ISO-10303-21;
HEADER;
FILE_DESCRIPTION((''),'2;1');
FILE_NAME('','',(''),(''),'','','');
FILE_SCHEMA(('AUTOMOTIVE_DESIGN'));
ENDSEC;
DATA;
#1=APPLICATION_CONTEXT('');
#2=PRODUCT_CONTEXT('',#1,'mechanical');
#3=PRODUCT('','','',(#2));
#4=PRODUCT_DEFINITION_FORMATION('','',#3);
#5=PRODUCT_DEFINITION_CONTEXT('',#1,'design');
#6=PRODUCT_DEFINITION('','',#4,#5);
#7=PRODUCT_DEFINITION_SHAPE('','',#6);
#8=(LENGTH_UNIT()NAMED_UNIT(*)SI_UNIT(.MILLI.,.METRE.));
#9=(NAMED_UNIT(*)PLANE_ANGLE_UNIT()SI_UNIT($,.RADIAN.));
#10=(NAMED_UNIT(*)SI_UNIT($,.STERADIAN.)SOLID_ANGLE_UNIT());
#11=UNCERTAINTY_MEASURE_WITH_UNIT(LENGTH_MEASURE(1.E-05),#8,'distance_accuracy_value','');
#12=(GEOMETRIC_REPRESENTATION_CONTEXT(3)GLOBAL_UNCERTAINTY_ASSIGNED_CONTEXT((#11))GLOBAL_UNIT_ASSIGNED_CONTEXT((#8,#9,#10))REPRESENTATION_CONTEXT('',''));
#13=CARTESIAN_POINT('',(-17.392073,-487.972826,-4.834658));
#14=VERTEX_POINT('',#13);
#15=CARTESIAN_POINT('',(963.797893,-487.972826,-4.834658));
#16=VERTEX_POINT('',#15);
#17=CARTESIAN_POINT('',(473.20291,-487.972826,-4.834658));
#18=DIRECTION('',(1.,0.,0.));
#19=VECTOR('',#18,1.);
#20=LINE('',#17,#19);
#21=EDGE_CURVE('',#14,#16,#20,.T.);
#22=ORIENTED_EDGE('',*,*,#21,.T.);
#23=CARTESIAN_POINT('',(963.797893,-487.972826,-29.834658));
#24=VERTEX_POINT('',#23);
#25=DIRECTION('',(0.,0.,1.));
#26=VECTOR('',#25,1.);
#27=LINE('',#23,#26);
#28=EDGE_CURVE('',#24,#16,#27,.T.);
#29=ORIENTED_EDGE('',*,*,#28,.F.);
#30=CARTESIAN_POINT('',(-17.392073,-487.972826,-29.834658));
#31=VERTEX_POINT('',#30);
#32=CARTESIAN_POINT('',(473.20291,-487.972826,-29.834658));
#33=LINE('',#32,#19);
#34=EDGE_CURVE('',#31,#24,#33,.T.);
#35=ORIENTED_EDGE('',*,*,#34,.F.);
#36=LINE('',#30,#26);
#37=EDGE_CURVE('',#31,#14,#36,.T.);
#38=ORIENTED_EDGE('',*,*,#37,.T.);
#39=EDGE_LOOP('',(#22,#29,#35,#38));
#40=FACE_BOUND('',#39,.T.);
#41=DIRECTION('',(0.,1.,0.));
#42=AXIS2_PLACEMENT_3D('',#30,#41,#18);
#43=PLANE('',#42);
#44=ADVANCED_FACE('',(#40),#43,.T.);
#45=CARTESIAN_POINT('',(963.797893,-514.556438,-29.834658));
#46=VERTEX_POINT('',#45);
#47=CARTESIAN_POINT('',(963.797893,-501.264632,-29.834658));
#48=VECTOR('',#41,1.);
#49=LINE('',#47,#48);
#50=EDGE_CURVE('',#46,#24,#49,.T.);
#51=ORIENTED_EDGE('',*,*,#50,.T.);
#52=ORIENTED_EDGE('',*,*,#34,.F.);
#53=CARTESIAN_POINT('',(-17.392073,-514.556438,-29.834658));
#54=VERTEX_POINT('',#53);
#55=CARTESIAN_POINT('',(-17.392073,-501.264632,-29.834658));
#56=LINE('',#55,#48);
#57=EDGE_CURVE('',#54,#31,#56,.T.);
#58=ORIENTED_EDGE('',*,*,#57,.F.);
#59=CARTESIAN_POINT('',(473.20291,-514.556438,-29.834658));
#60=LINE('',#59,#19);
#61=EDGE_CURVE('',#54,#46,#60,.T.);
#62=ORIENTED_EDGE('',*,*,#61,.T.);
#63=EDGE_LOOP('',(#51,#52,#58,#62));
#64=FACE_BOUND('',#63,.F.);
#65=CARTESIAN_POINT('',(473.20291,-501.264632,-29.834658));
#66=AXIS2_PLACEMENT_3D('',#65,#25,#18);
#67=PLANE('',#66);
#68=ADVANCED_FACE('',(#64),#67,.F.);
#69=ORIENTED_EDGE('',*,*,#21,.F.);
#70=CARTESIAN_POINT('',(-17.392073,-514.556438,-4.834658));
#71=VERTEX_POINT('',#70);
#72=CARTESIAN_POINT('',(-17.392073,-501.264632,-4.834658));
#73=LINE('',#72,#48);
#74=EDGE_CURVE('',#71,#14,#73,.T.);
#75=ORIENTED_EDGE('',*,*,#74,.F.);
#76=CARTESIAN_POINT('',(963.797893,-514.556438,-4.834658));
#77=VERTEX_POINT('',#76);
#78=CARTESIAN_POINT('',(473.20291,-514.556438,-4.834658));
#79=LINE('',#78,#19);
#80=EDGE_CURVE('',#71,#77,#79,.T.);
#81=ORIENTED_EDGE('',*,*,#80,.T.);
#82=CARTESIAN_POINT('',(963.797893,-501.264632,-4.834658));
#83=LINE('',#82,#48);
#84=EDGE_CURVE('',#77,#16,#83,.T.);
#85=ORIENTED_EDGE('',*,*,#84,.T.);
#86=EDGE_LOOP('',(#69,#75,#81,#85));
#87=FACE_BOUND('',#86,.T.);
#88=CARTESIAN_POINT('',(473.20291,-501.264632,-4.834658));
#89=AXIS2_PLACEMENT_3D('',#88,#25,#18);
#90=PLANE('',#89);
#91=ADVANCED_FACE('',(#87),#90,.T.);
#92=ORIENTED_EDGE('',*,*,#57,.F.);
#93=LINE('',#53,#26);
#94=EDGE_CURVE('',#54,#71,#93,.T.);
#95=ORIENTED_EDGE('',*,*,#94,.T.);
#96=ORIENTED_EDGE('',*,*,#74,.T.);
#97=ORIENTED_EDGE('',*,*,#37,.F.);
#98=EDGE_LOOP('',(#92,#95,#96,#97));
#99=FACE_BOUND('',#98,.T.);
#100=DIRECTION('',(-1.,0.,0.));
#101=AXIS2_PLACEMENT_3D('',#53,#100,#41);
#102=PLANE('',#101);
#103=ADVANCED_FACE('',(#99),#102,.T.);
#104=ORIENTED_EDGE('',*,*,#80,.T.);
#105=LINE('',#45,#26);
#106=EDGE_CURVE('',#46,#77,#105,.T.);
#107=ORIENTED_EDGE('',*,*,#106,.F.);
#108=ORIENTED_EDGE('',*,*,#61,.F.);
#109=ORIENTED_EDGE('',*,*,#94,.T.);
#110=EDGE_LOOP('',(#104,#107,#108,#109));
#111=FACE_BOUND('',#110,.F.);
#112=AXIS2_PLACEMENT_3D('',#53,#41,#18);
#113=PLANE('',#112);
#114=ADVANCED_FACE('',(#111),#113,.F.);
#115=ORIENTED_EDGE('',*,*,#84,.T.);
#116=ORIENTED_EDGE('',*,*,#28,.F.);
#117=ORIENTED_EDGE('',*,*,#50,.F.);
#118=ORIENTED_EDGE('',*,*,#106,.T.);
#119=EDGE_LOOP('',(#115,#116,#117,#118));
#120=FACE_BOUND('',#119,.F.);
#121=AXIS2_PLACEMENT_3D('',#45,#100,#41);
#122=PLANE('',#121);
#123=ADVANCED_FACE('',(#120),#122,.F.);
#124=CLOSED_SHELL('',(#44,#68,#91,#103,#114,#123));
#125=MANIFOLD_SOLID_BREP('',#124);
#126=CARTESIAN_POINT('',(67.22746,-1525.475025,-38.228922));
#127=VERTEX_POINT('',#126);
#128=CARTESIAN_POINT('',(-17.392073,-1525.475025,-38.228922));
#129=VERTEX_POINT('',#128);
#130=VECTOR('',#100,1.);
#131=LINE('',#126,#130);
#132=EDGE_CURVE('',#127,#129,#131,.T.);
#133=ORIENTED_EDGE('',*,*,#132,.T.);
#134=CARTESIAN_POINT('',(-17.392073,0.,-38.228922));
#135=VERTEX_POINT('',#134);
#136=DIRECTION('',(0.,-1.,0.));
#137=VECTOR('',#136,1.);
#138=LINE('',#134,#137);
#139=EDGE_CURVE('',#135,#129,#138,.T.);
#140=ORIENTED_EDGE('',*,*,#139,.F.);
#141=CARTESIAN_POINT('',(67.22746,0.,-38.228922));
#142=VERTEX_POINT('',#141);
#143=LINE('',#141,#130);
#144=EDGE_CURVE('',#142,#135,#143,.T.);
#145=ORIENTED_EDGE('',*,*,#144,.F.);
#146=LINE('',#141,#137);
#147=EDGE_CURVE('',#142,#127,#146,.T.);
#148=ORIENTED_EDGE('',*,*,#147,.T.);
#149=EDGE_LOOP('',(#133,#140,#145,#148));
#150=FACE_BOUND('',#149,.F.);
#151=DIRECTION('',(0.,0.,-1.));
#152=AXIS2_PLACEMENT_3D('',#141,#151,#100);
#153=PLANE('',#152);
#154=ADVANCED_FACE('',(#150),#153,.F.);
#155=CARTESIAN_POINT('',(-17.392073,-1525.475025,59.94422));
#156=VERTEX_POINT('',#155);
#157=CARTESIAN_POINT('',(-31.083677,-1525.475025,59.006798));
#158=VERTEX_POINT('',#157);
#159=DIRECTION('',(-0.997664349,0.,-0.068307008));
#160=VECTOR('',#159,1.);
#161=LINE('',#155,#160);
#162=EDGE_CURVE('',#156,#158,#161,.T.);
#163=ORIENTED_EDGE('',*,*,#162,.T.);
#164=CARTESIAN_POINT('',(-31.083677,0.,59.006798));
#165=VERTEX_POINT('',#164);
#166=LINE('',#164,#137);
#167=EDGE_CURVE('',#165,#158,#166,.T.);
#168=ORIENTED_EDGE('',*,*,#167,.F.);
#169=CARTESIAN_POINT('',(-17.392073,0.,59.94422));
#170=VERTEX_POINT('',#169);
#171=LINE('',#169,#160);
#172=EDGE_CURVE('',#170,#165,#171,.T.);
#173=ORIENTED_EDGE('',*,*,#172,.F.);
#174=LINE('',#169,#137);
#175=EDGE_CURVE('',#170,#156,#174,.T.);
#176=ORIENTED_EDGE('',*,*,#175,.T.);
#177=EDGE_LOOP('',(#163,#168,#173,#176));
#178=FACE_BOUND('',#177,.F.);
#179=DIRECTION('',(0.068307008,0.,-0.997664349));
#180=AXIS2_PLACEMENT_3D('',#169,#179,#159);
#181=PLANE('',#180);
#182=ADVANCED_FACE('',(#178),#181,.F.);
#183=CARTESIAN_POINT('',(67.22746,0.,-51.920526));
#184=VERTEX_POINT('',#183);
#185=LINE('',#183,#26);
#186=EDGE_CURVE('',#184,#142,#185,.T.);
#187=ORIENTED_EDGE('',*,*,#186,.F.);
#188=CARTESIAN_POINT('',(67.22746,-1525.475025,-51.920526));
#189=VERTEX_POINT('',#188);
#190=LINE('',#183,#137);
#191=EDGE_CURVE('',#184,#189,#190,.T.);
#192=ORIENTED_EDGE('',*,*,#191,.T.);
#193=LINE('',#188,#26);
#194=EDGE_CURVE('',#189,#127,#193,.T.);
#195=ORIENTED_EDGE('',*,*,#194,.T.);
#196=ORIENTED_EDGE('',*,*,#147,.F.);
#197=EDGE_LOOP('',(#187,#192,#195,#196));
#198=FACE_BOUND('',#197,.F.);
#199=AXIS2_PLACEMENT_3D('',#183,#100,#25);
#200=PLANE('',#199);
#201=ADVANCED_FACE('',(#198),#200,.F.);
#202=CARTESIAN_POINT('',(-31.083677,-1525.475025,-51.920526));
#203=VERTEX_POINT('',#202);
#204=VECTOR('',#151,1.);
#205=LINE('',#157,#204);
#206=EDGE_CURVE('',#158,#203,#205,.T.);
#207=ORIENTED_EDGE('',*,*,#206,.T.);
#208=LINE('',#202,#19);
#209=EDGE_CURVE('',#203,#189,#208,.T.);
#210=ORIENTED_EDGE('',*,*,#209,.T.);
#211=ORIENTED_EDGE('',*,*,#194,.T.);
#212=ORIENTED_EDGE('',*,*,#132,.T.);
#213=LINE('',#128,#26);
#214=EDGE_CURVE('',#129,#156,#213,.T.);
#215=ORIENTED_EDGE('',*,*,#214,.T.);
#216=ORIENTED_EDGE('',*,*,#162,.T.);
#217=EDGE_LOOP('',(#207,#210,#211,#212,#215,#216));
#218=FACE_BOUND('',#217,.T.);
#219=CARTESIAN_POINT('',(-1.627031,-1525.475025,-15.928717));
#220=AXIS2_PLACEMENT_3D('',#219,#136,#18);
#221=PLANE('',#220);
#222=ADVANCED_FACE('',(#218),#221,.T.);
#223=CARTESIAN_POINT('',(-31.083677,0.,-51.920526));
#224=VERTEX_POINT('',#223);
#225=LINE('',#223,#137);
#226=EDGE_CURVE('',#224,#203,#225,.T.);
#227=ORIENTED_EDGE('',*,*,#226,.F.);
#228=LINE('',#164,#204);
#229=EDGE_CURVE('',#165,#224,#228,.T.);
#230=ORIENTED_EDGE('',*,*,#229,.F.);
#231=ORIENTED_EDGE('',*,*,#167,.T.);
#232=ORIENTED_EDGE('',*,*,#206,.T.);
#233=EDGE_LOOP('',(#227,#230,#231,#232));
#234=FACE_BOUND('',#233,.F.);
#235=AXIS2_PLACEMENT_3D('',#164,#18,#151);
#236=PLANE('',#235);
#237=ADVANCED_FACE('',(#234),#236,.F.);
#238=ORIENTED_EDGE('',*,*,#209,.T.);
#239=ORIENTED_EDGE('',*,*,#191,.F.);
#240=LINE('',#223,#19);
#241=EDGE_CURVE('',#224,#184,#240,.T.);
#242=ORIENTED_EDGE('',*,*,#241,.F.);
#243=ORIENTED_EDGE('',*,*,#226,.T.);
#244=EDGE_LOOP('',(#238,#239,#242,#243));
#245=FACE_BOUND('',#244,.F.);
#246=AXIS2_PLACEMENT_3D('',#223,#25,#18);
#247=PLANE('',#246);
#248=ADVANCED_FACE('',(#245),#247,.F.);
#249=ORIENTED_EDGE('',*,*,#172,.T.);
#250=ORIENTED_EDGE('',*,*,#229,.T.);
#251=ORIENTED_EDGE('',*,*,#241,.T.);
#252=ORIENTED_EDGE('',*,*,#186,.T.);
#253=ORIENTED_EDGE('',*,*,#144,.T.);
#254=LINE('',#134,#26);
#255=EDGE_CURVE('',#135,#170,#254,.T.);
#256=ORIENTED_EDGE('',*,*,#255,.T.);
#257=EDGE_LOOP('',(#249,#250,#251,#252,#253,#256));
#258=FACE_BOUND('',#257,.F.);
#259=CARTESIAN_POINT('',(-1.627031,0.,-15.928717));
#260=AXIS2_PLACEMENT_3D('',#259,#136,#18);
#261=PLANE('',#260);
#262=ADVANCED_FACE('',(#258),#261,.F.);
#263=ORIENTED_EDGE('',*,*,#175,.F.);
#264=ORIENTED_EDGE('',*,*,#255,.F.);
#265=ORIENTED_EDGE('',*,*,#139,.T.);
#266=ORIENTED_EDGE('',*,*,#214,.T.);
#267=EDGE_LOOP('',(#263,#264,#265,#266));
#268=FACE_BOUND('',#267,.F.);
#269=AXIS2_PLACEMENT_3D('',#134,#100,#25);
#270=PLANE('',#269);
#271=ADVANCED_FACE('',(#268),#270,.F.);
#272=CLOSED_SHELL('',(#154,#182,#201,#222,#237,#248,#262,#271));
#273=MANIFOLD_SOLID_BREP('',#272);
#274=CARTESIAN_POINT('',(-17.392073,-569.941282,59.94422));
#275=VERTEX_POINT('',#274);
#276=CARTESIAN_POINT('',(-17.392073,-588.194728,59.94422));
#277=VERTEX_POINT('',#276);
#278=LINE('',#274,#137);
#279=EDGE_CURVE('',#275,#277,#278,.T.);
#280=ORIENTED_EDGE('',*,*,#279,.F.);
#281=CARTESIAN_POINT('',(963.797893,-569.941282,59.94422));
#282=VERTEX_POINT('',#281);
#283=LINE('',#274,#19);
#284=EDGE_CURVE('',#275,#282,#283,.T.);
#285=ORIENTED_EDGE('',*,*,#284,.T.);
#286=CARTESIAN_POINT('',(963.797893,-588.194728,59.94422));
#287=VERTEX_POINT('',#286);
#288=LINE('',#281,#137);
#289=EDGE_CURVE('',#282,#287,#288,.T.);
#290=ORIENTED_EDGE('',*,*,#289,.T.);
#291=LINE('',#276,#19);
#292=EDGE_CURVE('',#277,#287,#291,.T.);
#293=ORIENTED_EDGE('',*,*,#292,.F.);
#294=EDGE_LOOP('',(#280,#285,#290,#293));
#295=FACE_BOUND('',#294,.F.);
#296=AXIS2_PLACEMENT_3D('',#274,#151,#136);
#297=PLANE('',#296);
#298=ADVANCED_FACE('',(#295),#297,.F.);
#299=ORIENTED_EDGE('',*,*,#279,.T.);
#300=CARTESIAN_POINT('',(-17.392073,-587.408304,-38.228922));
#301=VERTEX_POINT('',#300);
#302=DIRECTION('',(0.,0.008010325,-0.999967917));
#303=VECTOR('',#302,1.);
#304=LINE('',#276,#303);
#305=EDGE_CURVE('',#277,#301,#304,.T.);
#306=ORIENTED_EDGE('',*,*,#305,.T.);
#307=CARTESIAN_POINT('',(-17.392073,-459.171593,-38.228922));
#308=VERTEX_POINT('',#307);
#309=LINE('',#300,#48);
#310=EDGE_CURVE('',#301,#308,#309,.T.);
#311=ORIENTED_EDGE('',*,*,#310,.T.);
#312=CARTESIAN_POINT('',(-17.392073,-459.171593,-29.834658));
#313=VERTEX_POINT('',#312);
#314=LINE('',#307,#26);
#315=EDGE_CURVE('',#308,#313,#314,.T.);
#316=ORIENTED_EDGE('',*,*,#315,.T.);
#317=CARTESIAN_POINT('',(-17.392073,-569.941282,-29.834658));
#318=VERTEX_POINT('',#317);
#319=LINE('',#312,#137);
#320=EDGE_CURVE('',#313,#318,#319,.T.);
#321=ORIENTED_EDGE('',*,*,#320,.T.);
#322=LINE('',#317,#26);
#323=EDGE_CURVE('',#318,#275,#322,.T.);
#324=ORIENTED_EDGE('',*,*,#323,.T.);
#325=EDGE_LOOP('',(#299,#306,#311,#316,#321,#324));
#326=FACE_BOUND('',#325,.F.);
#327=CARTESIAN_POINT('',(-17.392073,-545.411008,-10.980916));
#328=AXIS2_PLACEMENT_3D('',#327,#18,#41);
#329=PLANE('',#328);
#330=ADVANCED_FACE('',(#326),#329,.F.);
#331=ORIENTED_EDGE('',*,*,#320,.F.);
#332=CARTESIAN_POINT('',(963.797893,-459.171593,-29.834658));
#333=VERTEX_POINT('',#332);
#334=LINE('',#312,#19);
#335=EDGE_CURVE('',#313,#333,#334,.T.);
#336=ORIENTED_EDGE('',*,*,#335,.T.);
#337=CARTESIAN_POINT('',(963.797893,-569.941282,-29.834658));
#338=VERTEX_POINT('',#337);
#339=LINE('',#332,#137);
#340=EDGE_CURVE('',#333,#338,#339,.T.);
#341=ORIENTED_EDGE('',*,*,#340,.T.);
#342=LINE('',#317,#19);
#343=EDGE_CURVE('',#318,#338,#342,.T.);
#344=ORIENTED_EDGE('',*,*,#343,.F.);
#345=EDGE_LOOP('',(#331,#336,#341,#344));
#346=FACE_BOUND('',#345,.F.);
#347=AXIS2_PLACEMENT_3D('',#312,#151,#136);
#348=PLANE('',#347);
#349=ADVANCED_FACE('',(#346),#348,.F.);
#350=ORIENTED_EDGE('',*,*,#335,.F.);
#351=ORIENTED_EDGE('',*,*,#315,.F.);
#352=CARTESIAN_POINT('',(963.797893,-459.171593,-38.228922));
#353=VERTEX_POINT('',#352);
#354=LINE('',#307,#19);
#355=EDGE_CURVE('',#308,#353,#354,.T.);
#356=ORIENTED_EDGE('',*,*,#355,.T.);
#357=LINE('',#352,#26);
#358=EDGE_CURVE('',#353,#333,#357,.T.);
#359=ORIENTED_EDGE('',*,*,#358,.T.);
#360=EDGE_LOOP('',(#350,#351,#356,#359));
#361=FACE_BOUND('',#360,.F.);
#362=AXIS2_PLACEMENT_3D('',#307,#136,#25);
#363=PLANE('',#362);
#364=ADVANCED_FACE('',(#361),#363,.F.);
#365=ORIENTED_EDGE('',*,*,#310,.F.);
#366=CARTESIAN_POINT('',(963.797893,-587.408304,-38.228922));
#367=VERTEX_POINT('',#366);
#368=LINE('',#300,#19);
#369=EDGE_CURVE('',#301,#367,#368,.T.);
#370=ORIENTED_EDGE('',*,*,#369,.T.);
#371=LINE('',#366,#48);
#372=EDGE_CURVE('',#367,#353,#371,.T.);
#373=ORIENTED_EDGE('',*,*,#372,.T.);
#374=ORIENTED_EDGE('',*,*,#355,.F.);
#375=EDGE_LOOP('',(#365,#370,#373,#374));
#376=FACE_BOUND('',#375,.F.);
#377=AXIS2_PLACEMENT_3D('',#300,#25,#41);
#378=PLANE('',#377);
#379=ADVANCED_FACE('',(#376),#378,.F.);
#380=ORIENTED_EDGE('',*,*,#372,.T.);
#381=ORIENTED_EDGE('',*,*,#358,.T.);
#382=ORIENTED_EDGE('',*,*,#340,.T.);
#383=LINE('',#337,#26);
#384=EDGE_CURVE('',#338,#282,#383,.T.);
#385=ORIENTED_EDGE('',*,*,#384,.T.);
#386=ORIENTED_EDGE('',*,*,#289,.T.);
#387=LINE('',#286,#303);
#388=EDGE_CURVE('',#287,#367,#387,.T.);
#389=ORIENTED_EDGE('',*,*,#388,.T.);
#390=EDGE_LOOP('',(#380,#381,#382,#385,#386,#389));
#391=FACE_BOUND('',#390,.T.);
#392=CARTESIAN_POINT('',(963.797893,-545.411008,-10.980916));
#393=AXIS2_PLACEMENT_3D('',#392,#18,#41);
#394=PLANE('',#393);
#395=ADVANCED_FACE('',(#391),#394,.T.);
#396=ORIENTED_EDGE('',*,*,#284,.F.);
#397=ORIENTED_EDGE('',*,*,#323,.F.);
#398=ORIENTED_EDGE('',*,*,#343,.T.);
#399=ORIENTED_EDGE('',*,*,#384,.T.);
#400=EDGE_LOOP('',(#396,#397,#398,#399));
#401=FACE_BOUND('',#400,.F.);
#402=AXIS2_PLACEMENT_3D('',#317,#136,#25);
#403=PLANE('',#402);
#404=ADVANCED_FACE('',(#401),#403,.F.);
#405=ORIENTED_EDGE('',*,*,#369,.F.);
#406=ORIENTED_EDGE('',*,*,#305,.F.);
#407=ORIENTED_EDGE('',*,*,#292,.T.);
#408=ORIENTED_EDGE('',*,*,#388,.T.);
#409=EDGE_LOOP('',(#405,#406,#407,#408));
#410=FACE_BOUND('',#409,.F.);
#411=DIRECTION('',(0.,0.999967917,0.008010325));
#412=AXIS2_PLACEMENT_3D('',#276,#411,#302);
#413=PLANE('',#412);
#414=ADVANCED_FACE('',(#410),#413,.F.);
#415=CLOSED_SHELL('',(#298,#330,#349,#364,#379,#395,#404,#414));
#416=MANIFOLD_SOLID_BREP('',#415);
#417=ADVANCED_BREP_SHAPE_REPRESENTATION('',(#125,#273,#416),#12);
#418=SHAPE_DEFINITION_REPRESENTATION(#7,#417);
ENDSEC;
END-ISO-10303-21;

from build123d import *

# Parameters (mm, degrees)
F1_DEPTH = 1525.475025
F3_DEPTH = 981.189966
F4_W     = 981.189966
F4_H     = 26.583612
F5_DEPTH = 25


with BuildPart() as f1:
    # F0 (on Front) → F1 (new body)
    with BuildSketch(Plane.XZ):
        Polygon((-17.392073, 59.94422), (-31.083677, 59.006798), (-31.083677, -51.920526), (67.22746, -51.920526), (67.22746, -38.228922), (-17.392073, -38.228922), align=None)
    extrude(amount=F1_DEPTH)


with BuildPart() as f3:
    # F2 (on face) → F3 (new body)
    with BuildSketch(Plane.YZ.offset(-17.392073)):
        Polygon((-569.941282, 59.94422), (-588.194728, 59.94422), (-587.408304, -38.228922), (-459.171593, -38.228922), (-459.171593, -29.834658), (-569.941282, -29.834658), align=None)
    extrude(amount=F3_DEPTH)


with BuildPart() as f5:
    # F4 (on face) → F5 (new body)
    with BuildSketch(Plane.XY.offset(-29.834658)):
        with Locations((473.20291, -501.264632)):
            Rectangle(F4_W, F4_H)
    extrude(amount=F5_DEPTH)


solid = Compound([f1.part, f3.part, f5.part])
